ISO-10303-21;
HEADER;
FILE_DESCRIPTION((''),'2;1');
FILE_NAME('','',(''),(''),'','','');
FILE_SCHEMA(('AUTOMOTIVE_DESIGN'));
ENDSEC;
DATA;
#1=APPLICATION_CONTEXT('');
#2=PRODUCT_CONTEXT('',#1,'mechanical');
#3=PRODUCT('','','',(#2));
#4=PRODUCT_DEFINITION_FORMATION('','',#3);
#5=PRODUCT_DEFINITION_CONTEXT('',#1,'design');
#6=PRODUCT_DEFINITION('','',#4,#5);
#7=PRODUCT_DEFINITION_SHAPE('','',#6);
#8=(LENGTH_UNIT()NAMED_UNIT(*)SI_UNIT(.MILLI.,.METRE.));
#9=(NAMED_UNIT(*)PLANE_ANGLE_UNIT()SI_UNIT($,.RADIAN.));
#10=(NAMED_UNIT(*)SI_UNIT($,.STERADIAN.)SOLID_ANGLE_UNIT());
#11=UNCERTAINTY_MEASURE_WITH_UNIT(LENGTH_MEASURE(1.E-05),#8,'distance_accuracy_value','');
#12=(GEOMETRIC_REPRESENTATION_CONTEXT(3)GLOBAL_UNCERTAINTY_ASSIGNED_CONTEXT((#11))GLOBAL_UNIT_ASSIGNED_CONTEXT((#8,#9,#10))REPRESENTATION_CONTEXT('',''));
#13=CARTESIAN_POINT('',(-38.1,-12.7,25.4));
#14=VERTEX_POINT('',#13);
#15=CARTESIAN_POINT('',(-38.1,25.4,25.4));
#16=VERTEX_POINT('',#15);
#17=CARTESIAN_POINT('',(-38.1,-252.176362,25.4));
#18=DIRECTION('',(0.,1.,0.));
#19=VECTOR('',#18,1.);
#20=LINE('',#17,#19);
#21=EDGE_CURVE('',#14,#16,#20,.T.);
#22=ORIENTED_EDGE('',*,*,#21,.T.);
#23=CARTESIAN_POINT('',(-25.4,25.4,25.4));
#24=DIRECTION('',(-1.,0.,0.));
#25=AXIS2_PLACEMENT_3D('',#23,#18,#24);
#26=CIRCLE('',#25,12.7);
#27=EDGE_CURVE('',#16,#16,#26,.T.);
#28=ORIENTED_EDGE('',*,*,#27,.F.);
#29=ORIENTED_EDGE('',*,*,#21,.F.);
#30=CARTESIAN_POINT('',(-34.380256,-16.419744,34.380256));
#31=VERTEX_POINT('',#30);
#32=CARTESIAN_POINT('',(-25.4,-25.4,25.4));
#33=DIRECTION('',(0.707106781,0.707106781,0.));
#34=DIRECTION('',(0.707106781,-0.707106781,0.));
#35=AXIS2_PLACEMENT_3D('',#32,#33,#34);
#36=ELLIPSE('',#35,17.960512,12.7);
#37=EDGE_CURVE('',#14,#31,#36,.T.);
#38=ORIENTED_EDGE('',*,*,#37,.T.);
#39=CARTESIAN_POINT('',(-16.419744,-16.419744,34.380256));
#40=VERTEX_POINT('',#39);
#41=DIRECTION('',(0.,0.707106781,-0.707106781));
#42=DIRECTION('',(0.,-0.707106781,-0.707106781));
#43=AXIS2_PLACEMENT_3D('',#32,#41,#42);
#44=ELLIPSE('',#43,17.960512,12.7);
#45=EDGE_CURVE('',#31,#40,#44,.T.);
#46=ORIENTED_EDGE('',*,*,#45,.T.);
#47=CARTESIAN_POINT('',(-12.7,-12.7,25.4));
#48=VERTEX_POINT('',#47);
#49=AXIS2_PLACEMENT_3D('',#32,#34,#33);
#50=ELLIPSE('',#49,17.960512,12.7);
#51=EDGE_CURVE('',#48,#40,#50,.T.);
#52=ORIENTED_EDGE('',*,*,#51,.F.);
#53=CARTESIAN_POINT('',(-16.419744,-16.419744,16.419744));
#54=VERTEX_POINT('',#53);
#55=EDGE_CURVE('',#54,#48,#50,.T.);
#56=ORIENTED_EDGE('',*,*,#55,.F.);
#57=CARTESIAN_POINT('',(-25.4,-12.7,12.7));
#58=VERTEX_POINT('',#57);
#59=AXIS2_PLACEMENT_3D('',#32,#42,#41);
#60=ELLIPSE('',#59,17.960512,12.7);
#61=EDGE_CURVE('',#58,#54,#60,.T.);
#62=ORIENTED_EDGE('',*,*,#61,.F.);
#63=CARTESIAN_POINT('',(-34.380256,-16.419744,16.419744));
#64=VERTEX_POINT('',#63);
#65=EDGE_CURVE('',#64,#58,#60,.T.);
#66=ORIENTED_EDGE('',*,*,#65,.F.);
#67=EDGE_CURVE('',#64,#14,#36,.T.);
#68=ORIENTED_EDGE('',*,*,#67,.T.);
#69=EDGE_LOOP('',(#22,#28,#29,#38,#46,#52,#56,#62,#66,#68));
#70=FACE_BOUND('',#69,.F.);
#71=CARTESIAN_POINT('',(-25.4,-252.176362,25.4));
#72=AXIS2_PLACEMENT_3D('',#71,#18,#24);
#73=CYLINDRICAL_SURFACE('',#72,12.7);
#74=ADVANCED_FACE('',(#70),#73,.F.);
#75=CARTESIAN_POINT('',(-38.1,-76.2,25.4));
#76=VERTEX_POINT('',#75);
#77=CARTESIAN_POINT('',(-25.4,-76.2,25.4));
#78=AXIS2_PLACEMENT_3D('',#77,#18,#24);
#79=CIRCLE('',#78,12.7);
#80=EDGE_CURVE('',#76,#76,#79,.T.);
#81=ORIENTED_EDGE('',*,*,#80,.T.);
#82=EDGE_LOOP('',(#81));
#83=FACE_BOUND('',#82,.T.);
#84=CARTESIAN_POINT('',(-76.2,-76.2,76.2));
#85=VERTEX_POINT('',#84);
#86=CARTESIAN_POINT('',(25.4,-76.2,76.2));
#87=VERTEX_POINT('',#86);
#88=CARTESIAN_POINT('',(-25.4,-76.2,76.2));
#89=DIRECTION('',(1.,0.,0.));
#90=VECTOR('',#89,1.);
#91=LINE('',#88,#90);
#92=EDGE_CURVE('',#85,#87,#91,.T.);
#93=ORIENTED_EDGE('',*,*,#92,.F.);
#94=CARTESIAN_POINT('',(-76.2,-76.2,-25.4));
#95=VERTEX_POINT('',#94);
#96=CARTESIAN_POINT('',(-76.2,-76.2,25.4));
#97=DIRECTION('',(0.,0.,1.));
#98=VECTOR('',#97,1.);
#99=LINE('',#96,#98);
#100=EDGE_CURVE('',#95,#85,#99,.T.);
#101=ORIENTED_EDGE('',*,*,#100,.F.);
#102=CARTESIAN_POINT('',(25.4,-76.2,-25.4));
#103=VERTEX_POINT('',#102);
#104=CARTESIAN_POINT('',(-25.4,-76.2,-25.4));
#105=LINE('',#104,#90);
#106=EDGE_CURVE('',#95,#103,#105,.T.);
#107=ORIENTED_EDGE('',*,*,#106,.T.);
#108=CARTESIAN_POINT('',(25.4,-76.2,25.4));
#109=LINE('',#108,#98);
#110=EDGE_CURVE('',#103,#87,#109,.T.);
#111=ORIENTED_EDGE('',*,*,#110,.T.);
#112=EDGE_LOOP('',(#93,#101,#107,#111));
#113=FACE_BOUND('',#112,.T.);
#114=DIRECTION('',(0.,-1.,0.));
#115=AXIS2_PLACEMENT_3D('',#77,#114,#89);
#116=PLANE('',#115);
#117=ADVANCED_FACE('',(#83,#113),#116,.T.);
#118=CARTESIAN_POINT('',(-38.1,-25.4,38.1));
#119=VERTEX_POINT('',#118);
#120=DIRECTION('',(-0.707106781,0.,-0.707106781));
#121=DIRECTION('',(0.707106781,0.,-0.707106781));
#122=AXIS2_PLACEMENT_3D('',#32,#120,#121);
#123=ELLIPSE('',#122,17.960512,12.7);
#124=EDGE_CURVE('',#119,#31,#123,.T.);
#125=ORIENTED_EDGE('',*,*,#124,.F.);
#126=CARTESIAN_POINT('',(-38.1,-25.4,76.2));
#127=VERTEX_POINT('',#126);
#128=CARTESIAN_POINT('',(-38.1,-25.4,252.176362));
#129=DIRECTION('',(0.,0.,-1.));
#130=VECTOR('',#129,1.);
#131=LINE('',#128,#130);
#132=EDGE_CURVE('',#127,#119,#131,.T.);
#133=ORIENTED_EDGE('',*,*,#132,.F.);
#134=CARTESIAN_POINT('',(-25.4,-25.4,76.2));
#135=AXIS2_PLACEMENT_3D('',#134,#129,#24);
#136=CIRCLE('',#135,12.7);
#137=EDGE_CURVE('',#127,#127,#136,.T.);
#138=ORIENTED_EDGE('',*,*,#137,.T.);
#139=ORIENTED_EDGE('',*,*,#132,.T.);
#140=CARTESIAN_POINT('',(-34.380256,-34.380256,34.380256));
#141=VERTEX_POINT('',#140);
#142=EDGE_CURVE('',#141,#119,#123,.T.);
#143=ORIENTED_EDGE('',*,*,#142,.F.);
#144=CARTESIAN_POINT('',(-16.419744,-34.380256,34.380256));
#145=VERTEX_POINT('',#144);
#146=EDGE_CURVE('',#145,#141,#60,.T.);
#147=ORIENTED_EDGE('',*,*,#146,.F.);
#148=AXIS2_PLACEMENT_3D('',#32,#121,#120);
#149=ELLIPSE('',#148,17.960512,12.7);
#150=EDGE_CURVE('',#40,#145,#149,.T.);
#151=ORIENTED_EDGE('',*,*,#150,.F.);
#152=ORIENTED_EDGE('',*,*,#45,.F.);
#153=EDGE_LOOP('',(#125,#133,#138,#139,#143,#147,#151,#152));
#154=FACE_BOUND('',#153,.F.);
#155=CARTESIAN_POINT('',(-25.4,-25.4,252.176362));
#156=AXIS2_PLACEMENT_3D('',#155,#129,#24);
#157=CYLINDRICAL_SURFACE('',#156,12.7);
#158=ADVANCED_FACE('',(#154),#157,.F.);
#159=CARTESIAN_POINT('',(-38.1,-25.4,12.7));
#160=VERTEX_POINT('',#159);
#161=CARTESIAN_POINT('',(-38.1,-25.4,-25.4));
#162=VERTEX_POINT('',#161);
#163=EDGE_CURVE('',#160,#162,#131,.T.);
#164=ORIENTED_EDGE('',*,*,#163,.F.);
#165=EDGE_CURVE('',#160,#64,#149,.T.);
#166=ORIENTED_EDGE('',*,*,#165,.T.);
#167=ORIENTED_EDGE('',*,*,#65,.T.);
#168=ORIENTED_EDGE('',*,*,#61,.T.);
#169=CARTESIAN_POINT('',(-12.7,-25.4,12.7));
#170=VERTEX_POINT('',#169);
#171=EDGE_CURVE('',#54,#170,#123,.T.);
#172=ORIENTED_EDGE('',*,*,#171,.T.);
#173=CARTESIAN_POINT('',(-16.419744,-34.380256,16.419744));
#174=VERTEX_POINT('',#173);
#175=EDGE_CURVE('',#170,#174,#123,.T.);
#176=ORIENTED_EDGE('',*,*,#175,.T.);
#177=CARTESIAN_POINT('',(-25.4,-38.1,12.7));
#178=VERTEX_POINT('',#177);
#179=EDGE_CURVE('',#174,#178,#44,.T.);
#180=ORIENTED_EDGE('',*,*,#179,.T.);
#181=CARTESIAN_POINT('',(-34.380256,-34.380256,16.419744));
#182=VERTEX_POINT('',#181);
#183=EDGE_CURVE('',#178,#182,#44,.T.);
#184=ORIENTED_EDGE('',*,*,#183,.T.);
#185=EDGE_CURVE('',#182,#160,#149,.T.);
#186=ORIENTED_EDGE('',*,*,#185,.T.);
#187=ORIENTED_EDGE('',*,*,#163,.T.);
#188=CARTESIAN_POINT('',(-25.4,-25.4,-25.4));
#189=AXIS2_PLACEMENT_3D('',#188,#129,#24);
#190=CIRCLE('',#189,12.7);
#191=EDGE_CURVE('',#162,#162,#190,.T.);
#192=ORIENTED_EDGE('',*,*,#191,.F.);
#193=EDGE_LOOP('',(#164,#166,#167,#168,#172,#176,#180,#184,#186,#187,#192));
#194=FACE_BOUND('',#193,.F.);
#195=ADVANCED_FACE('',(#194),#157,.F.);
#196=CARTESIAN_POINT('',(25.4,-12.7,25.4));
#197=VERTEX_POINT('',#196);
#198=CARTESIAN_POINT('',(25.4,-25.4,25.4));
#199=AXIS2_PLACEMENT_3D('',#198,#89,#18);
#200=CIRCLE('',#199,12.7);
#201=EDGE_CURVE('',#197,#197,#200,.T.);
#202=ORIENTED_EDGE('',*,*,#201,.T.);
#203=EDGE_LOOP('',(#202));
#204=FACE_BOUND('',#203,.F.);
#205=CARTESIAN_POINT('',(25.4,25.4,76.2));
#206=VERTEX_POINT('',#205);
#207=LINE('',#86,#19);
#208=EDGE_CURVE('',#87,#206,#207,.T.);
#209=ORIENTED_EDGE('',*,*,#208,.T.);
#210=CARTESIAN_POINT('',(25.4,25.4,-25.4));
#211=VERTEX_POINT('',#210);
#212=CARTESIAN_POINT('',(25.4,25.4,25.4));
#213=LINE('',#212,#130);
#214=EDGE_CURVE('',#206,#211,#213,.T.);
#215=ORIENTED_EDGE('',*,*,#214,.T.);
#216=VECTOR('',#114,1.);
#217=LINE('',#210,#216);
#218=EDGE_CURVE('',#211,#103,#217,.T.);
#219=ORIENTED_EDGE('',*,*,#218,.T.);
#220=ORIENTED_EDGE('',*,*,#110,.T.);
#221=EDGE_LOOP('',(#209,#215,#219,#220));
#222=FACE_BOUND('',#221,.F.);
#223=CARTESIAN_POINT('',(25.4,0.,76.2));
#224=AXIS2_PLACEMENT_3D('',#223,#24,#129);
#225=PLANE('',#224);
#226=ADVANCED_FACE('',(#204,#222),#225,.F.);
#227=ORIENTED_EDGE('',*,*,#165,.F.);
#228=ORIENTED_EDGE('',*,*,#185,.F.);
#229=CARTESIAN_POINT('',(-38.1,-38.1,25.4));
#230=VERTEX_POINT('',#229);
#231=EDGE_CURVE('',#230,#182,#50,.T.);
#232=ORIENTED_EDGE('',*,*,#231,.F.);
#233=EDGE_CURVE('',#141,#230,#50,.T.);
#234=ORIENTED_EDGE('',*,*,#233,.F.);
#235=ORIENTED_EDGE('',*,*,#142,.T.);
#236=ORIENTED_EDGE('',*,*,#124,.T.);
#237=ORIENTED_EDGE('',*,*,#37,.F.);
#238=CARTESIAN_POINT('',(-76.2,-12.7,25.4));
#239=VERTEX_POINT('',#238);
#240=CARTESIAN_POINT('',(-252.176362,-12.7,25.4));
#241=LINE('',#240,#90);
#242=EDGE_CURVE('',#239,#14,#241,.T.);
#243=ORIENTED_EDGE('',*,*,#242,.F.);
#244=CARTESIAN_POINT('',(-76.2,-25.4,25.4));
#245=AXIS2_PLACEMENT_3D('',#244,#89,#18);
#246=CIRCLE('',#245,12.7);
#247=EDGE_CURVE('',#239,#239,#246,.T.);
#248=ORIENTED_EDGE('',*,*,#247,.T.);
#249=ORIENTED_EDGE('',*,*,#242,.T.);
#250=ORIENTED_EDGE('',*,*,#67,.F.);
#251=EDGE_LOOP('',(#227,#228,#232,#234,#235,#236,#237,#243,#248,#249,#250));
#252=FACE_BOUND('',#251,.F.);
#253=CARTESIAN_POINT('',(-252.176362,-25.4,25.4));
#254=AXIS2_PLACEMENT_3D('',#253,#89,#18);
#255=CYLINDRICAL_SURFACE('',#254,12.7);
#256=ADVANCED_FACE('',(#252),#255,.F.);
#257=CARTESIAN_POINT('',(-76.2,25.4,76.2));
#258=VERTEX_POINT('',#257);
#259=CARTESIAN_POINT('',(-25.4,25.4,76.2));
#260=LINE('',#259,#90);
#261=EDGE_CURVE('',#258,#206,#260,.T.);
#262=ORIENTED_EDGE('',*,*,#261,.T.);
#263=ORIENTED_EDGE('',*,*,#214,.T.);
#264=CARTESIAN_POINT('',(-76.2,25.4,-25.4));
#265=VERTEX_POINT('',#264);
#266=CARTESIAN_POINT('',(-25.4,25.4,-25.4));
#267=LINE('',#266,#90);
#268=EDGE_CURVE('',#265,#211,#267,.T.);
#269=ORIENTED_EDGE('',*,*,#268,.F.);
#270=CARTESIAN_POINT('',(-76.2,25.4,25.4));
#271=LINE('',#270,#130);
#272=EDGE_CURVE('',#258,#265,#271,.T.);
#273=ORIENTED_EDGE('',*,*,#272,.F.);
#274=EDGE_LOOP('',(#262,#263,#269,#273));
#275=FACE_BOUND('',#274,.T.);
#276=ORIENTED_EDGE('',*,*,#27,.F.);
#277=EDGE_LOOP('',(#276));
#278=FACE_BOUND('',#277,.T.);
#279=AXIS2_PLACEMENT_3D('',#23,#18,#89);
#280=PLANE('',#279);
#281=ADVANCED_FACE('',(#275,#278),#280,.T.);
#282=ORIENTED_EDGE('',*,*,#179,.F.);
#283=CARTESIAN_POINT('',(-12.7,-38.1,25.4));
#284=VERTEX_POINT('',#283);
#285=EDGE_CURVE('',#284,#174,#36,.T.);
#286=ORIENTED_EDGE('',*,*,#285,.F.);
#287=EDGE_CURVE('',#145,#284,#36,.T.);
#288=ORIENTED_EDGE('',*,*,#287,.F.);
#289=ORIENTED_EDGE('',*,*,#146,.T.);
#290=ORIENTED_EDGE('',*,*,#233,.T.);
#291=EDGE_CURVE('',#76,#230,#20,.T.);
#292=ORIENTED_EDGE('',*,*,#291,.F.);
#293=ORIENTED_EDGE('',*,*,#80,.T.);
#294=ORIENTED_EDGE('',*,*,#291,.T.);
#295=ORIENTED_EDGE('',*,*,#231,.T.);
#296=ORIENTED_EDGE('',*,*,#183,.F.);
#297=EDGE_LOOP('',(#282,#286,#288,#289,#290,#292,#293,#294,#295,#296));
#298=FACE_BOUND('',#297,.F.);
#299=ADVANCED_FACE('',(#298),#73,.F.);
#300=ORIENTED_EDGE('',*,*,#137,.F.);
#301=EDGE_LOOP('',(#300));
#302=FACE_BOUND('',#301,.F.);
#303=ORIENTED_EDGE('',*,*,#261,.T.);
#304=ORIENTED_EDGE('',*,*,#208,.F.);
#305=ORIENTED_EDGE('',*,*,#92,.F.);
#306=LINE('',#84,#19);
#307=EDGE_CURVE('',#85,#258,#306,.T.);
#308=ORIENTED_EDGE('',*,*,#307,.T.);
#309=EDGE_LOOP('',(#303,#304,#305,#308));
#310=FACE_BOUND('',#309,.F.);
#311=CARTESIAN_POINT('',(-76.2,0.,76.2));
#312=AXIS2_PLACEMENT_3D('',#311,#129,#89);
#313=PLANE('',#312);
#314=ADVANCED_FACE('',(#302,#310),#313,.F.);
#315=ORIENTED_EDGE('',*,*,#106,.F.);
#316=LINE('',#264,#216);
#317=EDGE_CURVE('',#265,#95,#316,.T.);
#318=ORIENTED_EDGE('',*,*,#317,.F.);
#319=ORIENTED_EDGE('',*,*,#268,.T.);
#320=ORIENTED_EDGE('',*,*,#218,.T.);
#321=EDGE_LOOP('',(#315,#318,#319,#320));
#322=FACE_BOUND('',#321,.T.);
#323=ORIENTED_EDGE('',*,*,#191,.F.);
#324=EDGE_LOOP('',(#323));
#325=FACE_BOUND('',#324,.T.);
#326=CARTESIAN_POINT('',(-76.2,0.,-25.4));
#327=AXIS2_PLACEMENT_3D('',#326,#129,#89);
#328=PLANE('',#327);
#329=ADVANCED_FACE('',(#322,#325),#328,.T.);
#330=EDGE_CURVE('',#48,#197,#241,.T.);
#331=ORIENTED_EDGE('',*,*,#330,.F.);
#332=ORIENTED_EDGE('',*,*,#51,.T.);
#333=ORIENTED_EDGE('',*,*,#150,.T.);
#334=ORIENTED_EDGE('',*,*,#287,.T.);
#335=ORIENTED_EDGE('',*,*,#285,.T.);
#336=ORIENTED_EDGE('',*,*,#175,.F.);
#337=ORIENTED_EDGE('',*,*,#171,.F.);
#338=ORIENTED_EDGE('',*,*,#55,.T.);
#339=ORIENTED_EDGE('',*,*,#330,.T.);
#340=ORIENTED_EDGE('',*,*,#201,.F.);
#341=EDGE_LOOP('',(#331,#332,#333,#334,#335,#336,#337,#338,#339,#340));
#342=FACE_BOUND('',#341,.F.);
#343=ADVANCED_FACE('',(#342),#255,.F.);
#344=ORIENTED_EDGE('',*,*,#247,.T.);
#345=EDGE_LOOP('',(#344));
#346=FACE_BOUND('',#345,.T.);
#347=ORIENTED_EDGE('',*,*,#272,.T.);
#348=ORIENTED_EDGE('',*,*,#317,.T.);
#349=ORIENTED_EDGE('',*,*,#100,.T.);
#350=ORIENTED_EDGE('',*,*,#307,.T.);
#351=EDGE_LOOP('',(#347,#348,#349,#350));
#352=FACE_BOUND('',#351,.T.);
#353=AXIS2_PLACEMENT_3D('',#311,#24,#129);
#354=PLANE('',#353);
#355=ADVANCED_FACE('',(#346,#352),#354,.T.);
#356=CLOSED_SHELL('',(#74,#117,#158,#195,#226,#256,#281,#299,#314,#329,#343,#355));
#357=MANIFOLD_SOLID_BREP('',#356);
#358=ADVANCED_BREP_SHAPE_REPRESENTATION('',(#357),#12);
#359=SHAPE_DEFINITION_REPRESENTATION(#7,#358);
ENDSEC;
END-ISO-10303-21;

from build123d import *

# Parameters (mm, degrees)
F0_W      = 50.8
F0_H      = 50.8
F1_DEPTH  = 50.8
F2_W      = 101.6
F2_H      = 101.6
F3_DEPTH  = 76.2
F3_FACE_W = 101.6
F3_FACE_H = 101.6
F4_DEPTH  = 25.4
F6_D      = 25.4
F8_D      = 25.4
F10_D     = 25.4


with BuildPart() as f1:
    # F0 (on Front) → F1 (new body)
    with BuildSketch(Plane.XZ):
        with Locations((-25.4, 25.4)):
            Rectangle(F0_W, F0_H)
    extrude(amount=F1_DEPTH)

    # F2 (on Front) → F3 (join)
    with BuildSketch(Plane.XZ):
        with Locations((-25.4, 25.4)):
            Rectangle(F2_W, F2_H)
    extrude(amount=F3_DEPTH)

    # F3_face (on face) → F4 (join)
    with BuildSketch(Plane(origin=(-25.4, 0, 25.4), x_dir=(1, 0, 0), z_dir=(0, 1, 0))):
        Rectangle(F3_FACE_W, F3_FACE_H)
    extrude(amount=F4_DEPTH)

    # F6 (through all)
    with Locations(Plane.XY.offset(76.2)):
        with Locations((-25.4, -25.4)):
            Hole(F6_D / 2)

    # F8 (through all)
    with Locations(Plane(origin=(-76.2, 0, 0), x_dir=(0, -1, 0), z_dir=(-1, 0, 0))):
        with Locations((25.4, 25.4)):
            Hole(F8_D / 2)

    # F10 (through all)
    with Locations(Plane.XZ.offset(76.2)):
        with Locations((-25.4, 25.4)):
            Hole(F10_D / 2)


solid = f1.part
